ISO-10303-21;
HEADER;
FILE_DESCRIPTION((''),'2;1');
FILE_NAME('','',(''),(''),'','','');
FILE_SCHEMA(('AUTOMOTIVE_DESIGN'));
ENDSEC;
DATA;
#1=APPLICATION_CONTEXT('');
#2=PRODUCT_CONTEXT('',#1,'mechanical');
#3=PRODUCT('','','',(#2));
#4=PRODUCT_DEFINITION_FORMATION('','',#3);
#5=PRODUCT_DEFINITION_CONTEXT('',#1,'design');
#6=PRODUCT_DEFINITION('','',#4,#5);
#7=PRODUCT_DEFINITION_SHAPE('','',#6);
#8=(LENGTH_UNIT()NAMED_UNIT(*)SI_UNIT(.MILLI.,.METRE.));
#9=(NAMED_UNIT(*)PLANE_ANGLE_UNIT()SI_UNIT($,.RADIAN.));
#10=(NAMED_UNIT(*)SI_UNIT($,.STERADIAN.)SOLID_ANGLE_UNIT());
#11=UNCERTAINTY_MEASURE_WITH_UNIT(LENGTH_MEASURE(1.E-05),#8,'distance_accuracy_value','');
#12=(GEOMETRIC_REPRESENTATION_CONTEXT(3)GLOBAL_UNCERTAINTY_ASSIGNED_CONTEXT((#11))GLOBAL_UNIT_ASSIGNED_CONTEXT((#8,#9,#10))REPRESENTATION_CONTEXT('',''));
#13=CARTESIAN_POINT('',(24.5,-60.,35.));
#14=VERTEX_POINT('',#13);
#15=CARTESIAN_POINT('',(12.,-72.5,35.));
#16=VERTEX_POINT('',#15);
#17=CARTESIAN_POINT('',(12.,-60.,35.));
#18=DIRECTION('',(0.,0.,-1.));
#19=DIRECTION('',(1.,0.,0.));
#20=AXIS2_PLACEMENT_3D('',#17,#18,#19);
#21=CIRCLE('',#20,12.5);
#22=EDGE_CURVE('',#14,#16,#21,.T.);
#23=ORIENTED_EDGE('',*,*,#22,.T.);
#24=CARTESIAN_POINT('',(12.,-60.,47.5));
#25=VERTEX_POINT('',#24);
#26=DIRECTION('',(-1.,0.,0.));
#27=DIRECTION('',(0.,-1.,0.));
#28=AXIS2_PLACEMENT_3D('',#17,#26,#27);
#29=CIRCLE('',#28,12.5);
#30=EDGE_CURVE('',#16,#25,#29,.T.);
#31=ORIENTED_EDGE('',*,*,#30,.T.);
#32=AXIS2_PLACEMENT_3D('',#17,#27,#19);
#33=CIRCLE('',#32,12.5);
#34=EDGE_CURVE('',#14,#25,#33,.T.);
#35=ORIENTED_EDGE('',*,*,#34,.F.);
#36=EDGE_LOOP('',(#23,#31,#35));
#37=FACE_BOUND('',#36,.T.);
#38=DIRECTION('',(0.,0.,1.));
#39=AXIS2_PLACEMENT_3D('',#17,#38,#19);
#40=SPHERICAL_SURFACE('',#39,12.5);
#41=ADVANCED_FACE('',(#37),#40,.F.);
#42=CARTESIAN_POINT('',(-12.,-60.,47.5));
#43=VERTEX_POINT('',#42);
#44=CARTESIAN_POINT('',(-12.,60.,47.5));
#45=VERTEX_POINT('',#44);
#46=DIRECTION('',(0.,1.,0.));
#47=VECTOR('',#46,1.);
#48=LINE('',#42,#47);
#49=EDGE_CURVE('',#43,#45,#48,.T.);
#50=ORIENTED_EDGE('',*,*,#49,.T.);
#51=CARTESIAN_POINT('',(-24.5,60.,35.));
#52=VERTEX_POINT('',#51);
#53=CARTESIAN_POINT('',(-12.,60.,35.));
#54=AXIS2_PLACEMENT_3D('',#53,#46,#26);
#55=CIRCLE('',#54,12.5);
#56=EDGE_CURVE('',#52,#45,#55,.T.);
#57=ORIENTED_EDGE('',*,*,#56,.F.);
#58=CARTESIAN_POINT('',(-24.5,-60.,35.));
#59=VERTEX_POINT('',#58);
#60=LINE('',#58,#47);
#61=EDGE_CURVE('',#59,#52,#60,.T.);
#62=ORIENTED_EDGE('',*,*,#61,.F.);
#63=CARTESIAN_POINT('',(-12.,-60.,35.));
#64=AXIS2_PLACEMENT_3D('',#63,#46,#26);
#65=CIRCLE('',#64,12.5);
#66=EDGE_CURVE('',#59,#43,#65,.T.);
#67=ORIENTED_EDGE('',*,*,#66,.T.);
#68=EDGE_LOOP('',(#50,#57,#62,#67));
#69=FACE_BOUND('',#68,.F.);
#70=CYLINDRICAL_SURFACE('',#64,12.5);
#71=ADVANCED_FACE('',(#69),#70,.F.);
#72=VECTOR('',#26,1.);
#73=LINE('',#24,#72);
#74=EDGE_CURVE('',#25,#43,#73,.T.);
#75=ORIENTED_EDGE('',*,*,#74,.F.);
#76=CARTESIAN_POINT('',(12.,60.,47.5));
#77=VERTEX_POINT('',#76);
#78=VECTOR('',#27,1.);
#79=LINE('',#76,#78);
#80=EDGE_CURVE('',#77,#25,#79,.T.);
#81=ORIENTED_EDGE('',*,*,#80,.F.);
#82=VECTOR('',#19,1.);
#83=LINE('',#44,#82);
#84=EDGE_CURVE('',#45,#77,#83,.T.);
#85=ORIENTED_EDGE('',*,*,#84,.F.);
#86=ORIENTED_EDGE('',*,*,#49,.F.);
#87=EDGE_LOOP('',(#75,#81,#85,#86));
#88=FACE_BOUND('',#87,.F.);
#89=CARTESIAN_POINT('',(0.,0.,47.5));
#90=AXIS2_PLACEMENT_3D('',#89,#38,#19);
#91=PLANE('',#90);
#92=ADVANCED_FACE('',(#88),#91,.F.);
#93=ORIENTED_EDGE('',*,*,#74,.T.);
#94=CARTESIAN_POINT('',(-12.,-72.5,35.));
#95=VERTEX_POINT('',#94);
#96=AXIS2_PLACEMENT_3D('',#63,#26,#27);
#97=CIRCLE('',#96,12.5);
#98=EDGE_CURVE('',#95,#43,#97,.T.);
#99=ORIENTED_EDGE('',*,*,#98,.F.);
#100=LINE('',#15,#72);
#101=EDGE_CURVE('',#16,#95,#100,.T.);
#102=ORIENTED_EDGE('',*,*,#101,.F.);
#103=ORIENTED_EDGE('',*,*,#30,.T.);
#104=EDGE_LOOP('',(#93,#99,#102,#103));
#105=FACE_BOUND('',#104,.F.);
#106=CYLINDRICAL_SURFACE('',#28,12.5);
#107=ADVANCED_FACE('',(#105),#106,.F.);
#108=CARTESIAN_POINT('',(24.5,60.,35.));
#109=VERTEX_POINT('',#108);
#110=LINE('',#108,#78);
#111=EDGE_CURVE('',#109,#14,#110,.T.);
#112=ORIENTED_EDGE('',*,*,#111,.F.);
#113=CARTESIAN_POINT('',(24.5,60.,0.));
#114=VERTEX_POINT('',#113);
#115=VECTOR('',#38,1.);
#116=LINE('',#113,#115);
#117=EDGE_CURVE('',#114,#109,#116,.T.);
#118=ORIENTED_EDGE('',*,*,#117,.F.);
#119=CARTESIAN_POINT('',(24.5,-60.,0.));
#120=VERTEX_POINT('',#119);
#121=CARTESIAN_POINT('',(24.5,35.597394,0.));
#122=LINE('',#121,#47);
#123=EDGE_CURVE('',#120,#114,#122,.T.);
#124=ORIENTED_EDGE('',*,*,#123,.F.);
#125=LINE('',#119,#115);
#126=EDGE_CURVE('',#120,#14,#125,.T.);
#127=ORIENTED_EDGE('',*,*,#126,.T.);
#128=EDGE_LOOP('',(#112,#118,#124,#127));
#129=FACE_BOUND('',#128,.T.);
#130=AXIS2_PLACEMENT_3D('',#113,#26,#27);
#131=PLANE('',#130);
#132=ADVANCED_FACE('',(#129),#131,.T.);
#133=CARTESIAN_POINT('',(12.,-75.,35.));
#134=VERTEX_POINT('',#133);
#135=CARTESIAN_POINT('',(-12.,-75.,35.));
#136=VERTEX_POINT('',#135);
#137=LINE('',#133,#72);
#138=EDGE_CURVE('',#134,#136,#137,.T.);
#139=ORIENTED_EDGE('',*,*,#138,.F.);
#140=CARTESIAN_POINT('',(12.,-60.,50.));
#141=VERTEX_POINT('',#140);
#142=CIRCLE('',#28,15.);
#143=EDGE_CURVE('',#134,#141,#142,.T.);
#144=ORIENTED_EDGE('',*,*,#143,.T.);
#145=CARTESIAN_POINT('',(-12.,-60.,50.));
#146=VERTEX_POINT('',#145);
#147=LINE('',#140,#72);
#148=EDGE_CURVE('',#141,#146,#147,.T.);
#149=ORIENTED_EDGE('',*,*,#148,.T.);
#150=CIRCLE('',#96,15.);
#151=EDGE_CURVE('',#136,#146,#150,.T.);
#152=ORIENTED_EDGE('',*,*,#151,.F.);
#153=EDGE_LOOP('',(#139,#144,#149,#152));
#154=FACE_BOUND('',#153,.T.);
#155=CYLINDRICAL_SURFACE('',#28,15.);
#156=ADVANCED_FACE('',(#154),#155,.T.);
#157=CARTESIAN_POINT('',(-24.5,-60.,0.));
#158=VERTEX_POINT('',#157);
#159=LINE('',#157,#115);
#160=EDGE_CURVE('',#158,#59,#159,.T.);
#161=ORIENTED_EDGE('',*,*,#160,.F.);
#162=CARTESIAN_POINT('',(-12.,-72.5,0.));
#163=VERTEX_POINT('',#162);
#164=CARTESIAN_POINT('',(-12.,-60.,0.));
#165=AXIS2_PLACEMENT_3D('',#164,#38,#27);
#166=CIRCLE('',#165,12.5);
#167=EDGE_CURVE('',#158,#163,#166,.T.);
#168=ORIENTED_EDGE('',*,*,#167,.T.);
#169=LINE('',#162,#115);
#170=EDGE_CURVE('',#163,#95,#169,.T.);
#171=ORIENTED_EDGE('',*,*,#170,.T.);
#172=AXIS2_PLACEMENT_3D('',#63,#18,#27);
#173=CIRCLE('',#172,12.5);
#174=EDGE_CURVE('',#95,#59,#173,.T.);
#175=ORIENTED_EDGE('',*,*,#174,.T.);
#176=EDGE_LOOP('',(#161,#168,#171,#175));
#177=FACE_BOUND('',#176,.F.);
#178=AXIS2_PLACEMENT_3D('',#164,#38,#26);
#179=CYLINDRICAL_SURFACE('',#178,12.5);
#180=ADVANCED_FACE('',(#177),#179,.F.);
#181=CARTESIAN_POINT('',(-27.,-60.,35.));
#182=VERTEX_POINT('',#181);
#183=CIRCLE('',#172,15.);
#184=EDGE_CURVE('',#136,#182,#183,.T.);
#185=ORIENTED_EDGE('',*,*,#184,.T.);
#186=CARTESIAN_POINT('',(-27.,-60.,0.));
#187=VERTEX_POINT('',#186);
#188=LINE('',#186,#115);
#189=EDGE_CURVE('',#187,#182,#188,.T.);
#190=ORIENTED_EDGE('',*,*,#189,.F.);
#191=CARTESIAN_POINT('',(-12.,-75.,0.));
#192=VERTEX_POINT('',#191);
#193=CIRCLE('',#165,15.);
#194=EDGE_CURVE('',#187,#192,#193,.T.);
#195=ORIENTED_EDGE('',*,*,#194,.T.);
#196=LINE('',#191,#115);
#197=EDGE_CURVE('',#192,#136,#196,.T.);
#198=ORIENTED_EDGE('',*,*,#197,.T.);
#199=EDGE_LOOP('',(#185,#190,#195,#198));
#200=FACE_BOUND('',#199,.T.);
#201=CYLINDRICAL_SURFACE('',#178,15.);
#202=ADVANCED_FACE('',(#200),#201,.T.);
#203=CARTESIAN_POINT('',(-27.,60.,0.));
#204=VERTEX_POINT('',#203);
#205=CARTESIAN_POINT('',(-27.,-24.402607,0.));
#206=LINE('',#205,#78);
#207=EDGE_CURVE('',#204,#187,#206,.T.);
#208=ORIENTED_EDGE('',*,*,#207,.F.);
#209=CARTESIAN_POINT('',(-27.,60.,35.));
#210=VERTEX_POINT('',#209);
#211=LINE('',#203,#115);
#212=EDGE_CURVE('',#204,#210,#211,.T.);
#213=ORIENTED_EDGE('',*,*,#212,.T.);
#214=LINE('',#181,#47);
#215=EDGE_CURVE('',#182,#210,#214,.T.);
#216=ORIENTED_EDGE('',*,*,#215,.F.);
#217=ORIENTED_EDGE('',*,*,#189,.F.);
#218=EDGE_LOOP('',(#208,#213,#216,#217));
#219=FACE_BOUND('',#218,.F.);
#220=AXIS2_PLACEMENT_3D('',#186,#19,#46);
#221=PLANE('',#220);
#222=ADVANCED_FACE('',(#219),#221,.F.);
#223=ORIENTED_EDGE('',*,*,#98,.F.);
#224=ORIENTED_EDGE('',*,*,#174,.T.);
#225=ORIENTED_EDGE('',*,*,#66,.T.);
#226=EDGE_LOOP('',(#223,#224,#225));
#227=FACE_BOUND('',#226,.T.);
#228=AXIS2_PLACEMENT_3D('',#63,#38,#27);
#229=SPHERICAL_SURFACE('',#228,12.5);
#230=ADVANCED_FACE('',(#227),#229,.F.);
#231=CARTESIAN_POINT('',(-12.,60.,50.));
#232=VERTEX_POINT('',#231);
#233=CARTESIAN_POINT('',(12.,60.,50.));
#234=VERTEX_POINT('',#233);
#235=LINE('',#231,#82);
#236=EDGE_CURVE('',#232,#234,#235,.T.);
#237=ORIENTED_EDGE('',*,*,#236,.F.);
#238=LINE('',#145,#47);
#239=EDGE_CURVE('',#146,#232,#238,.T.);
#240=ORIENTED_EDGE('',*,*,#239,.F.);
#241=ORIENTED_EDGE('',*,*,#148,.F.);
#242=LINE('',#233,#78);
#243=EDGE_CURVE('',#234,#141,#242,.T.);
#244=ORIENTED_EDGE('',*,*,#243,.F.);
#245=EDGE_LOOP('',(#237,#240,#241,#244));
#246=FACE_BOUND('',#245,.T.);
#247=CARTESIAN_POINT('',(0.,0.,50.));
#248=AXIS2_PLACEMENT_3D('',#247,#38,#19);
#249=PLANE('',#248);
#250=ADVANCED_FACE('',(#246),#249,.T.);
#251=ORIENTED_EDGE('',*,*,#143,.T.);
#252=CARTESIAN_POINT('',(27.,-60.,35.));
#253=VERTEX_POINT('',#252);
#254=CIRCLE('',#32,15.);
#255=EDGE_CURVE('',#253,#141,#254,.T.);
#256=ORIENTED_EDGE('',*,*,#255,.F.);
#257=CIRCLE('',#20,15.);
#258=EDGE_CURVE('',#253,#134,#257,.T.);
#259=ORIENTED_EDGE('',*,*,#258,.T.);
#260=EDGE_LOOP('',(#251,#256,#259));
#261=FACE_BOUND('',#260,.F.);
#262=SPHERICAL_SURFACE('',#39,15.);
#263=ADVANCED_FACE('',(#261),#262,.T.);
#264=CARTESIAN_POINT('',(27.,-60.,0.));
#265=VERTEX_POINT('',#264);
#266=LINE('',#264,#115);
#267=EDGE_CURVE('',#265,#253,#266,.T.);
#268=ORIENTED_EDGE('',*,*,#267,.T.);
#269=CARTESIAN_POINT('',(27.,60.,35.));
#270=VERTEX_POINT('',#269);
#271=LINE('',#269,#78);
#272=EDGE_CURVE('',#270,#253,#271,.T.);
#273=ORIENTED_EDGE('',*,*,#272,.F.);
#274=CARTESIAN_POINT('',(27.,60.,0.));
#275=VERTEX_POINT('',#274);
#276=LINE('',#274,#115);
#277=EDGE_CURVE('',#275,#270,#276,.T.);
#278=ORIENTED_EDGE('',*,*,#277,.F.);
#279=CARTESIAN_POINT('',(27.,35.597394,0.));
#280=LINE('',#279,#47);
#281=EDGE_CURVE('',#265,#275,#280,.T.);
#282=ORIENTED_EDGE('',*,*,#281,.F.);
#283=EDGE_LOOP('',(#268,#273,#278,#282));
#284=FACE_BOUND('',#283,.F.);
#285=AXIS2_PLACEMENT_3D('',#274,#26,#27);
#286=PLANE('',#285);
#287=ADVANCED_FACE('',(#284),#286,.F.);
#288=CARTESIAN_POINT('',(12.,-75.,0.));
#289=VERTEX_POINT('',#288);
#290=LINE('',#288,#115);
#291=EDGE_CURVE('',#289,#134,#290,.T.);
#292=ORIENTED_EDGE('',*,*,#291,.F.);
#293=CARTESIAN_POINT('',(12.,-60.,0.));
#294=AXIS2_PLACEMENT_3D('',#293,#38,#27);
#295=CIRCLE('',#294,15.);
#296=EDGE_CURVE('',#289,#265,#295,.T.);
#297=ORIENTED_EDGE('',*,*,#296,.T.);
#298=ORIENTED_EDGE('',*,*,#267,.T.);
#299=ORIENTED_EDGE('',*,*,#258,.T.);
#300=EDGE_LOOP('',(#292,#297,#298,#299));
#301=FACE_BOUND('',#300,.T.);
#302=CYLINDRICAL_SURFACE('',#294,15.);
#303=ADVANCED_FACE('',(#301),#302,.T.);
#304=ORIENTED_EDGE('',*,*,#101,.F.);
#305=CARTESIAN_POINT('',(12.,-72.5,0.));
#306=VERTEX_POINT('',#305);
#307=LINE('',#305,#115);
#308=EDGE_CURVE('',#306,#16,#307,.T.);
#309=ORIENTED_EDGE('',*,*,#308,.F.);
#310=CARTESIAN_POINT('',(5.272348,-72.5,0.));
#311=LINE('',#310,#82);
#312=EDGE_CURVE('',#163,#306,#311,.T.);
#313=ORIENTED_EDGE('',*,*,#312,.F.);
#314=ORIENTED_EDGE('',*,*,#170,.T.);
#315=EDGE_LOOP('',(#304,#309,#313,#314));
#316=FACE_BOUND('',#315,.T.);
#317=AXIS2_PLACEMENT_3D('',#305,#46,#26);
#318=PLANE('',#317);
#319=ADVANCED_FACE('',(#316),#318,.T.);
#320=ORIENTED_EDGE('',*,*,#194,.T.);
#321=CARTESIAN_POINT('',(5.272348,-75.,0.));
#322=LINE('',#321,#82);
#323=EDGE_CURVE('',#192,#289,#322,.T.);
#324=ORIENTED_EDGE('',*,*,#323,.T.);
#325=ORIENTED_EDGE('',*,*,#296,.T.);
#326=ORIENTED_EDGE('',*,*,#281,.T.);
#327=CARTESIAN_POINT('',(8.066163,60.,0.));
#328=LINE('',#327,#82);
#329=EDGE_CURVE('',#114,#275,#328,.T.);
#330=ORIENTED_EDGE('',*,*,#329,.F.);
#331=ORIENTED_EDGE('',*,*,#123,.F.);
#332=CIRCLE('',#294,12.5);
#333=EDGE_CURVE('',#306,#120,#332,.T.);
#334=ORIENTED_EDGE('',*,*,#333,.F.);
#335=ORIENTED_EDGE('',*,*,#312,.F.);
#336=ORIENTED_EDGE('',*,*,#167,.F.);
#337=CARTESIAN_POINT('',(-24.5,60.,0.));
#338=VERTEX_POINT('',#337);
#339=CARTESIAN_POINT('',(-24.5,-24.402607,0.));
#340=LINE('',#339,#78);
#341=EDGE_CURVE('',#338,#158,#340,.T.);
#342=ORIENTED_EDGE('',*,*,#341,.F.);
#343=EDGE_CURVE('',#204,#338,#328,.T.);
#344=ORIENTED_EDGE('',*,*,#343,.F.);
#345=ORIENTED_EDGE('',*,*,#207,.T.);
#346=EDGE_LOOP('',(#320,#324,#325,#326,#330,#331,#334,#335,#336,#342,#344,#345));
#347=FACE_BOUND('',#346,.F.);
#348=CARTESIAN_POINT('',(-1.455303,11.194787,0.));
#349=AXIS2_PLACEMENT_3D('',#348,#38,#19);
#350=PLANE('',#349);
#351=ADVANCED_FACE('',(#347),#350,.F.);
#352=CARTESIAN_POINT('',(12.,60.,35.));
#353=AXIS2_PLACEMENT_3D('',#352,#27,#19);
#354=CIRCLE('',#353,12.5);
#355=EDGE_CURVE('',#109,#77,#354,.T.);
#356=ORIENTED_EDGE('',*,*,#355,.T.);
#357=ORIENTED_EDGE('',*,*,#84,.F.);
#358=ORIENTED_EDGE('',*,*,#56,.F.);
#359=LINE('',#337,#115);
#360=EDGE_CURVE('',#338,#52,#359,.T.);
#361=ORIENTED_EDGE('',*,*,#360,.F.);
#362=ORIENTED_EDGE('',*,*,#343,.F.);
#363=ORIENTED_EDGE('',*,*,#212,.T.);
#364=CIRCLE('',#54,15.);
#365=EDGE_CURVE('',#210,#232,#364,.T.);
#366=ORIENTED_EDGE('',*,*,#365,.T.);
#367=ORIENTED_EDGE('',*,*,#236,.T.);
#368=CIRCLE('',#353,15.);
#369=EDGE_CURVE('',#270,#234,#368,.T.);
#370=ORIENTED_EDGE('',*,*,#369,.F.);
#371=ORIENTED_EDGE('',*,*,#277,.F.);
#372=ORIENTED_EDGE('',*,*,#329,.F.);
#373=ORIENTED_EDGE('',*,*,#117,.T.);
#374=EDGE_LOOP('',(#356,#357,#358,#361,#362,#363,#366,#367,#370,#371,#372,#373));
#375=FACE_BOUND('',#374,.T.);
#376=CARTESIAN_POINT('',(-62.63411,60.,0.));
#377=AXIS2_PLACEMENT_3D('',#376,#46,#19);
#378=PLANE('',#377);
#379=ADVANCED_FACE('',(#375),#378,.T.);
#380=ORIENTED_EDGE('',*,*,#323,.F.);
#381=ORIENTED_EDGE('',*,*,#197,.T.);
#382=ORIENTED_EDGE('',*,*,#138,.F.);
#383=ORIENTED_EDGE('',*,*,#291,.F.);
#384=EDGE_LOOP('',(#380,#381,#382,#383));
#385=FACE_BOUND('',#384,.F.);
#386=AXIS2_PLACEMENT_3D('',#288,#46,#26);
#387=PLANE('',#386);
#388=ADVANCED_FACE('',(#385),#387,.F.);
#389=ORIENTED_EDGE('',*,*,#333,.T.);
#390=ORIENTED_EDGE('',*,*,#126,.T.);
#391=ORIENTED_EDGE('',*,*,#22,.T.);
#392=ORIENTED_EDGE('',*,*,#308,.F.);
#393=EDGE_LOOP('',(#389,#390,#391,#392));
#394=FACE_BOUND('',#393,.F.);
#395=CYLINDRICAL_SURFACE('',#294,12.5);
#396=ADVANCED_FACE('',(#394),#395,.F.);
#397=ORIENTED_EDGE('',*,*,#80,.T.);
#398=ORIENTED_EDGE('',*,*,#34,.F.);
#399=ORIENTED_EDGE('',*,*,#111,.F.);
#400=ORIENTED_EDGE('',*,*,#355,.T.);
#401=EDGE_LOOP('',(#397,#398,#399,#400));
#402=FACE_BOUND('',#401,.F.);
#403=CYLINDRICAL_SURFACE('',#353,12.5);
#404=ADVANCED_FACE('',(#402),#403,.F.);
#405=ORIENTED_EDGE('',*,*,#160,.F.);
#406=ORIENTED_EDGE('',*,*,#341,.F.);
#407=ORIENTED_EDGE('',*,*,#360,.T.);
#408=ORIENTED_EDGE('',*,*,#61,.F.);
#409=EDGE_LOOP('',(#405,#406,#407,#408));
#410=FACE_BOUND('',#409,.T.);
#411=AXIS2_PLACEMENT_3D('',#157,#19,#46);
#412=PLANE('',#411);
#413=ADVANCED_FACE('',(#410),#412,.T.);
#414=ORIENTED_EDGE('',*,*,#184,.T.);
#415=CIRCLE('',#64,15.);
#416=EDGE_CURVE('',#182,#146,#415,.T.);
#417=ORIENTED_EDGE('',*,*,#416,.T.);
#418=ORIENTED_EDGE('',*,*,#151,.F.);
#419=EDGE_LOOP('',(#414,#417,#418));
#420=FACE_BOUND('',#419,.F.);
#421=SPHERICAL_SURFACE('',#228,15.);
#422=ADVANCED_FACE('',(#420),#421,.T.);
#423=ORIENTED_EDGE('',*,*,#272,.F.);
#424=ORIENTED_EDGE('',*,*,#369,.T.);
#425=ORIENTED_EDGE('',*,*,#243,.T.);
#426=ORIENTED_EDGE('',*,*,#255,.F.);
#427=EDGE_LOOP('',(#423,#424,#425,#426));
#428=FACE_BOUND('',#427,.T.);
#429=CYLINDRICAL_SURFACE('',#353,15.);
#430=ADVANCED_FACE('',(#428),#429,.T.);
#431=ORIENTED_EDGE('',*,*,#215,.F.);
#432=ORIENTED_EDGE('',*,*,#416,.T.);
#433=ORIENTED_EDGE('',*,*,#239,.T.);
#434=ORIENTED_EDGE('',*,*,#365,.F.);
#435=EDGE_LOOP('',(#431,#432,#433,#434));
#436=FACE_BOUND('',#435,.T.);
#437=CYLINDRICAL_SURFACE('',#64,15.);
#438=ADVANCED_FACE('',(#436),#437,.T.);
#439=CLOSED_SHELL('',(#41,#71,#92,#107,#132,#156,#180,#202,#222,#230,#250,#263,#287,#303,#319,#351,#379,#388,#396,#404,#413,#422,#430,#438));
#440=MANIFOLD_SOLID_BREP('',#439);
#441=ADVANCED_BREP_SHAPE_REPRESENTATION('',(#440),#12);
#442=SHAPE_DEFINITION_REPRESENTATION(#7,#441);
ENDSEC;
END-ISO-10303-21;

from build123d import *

# Parameters (mm, degrees)
F0_W     = 54
F0_H     = 150
F1_DEPTH = 50
F2_R     = 15
F3_R     = 15
F5_DEPTH = 5
F6_W     = 121.107407
F6_H     = 220.926333
F7_DEPTH = 5.001
F8_W     = 141.400545
F8_H     = 89.871116
F9_DEPTH = 50.001
F10_T    = -2.5


with BuildPart() as f1:
    # F0 (on Top) → F1 (new body)
    with BuildSketch(Plane.XY):
        Rectangle(F0_W, F0_H)
    extrude(amount=F1_DEPTH)

    # F2
    f2_edges = [f1.edges().sort_by_distance(p)[0] for p in [
        (27, -75, 25),
        (-27, -75, 25),
        (27, 75, 25),
        (-27, 75, 25),
    ]]
    fillet(f2_edges, radius=F2_R)

    # F3
    f3_edges = [f1.edges().sort_by_distance(p)[0] for p in [
        (-27, 0, 50),
    ]]
    fillet(f3_edges, radius=F3_R)

    # F4 (on face) → F5 (join)
    with BuildSketch(Plane(origin=(0, 0, 0), x_dir=(1, 0, 0), z_dir=(0, 0, -1))):
        with BuildLine():
            ThreePointArc((12, -75), (22.606602, -70.606602), (27, -60))
            Line((27, -60), (27, 60))
            ThreePointArc((27, 60), (22.606602, 70.606602), (12, 75))
            Line((12, 75), (-12, 75))
            ThreePointArc((-12, 75), (-22.606602, 70.606602), (-27, 60))
            Line((-27, 60), (-27, -60))
            ThreePointArc((-27, -60), (-22.606602, -70.606602), (-12, -75))
            Line((-12, -75), (12, -75))
        make_face()
    extrude(amount=F5_DEPTH)

    # F6 (on Top) → F7 (cut, through all)
    with BuildSketch(Plane.XY):
        with Locations((-1.455303, 11.194787)):
            Rectangle(F6_W, F6_H)
    extrude(amount=-F7_DEPTH, mode=Mode.SUBTRACT)

    # F8 (on face) → F9 (cut, through all)
    with BuildSketch(Plane(origin=(0, 0, 0), x_dir=(1, 0, 0), z_dir=(0, 0, -1))):
        with Locations((8.066163, -104.935558)):
            Rectangle(F8_W, F8_H)
    extrude(amount=-F9_DEPTH, mode=Mode.SUBTRACT)

    # F10
    f10_openings = [f1.faces().sort_by_distance(p)[0] for p in [
        (0, -6.638802, 0),
        (0, 60, 24.196941),
    ]]
    offset(amount=F10_T, openings=f10_openings)


solid = f1.part
